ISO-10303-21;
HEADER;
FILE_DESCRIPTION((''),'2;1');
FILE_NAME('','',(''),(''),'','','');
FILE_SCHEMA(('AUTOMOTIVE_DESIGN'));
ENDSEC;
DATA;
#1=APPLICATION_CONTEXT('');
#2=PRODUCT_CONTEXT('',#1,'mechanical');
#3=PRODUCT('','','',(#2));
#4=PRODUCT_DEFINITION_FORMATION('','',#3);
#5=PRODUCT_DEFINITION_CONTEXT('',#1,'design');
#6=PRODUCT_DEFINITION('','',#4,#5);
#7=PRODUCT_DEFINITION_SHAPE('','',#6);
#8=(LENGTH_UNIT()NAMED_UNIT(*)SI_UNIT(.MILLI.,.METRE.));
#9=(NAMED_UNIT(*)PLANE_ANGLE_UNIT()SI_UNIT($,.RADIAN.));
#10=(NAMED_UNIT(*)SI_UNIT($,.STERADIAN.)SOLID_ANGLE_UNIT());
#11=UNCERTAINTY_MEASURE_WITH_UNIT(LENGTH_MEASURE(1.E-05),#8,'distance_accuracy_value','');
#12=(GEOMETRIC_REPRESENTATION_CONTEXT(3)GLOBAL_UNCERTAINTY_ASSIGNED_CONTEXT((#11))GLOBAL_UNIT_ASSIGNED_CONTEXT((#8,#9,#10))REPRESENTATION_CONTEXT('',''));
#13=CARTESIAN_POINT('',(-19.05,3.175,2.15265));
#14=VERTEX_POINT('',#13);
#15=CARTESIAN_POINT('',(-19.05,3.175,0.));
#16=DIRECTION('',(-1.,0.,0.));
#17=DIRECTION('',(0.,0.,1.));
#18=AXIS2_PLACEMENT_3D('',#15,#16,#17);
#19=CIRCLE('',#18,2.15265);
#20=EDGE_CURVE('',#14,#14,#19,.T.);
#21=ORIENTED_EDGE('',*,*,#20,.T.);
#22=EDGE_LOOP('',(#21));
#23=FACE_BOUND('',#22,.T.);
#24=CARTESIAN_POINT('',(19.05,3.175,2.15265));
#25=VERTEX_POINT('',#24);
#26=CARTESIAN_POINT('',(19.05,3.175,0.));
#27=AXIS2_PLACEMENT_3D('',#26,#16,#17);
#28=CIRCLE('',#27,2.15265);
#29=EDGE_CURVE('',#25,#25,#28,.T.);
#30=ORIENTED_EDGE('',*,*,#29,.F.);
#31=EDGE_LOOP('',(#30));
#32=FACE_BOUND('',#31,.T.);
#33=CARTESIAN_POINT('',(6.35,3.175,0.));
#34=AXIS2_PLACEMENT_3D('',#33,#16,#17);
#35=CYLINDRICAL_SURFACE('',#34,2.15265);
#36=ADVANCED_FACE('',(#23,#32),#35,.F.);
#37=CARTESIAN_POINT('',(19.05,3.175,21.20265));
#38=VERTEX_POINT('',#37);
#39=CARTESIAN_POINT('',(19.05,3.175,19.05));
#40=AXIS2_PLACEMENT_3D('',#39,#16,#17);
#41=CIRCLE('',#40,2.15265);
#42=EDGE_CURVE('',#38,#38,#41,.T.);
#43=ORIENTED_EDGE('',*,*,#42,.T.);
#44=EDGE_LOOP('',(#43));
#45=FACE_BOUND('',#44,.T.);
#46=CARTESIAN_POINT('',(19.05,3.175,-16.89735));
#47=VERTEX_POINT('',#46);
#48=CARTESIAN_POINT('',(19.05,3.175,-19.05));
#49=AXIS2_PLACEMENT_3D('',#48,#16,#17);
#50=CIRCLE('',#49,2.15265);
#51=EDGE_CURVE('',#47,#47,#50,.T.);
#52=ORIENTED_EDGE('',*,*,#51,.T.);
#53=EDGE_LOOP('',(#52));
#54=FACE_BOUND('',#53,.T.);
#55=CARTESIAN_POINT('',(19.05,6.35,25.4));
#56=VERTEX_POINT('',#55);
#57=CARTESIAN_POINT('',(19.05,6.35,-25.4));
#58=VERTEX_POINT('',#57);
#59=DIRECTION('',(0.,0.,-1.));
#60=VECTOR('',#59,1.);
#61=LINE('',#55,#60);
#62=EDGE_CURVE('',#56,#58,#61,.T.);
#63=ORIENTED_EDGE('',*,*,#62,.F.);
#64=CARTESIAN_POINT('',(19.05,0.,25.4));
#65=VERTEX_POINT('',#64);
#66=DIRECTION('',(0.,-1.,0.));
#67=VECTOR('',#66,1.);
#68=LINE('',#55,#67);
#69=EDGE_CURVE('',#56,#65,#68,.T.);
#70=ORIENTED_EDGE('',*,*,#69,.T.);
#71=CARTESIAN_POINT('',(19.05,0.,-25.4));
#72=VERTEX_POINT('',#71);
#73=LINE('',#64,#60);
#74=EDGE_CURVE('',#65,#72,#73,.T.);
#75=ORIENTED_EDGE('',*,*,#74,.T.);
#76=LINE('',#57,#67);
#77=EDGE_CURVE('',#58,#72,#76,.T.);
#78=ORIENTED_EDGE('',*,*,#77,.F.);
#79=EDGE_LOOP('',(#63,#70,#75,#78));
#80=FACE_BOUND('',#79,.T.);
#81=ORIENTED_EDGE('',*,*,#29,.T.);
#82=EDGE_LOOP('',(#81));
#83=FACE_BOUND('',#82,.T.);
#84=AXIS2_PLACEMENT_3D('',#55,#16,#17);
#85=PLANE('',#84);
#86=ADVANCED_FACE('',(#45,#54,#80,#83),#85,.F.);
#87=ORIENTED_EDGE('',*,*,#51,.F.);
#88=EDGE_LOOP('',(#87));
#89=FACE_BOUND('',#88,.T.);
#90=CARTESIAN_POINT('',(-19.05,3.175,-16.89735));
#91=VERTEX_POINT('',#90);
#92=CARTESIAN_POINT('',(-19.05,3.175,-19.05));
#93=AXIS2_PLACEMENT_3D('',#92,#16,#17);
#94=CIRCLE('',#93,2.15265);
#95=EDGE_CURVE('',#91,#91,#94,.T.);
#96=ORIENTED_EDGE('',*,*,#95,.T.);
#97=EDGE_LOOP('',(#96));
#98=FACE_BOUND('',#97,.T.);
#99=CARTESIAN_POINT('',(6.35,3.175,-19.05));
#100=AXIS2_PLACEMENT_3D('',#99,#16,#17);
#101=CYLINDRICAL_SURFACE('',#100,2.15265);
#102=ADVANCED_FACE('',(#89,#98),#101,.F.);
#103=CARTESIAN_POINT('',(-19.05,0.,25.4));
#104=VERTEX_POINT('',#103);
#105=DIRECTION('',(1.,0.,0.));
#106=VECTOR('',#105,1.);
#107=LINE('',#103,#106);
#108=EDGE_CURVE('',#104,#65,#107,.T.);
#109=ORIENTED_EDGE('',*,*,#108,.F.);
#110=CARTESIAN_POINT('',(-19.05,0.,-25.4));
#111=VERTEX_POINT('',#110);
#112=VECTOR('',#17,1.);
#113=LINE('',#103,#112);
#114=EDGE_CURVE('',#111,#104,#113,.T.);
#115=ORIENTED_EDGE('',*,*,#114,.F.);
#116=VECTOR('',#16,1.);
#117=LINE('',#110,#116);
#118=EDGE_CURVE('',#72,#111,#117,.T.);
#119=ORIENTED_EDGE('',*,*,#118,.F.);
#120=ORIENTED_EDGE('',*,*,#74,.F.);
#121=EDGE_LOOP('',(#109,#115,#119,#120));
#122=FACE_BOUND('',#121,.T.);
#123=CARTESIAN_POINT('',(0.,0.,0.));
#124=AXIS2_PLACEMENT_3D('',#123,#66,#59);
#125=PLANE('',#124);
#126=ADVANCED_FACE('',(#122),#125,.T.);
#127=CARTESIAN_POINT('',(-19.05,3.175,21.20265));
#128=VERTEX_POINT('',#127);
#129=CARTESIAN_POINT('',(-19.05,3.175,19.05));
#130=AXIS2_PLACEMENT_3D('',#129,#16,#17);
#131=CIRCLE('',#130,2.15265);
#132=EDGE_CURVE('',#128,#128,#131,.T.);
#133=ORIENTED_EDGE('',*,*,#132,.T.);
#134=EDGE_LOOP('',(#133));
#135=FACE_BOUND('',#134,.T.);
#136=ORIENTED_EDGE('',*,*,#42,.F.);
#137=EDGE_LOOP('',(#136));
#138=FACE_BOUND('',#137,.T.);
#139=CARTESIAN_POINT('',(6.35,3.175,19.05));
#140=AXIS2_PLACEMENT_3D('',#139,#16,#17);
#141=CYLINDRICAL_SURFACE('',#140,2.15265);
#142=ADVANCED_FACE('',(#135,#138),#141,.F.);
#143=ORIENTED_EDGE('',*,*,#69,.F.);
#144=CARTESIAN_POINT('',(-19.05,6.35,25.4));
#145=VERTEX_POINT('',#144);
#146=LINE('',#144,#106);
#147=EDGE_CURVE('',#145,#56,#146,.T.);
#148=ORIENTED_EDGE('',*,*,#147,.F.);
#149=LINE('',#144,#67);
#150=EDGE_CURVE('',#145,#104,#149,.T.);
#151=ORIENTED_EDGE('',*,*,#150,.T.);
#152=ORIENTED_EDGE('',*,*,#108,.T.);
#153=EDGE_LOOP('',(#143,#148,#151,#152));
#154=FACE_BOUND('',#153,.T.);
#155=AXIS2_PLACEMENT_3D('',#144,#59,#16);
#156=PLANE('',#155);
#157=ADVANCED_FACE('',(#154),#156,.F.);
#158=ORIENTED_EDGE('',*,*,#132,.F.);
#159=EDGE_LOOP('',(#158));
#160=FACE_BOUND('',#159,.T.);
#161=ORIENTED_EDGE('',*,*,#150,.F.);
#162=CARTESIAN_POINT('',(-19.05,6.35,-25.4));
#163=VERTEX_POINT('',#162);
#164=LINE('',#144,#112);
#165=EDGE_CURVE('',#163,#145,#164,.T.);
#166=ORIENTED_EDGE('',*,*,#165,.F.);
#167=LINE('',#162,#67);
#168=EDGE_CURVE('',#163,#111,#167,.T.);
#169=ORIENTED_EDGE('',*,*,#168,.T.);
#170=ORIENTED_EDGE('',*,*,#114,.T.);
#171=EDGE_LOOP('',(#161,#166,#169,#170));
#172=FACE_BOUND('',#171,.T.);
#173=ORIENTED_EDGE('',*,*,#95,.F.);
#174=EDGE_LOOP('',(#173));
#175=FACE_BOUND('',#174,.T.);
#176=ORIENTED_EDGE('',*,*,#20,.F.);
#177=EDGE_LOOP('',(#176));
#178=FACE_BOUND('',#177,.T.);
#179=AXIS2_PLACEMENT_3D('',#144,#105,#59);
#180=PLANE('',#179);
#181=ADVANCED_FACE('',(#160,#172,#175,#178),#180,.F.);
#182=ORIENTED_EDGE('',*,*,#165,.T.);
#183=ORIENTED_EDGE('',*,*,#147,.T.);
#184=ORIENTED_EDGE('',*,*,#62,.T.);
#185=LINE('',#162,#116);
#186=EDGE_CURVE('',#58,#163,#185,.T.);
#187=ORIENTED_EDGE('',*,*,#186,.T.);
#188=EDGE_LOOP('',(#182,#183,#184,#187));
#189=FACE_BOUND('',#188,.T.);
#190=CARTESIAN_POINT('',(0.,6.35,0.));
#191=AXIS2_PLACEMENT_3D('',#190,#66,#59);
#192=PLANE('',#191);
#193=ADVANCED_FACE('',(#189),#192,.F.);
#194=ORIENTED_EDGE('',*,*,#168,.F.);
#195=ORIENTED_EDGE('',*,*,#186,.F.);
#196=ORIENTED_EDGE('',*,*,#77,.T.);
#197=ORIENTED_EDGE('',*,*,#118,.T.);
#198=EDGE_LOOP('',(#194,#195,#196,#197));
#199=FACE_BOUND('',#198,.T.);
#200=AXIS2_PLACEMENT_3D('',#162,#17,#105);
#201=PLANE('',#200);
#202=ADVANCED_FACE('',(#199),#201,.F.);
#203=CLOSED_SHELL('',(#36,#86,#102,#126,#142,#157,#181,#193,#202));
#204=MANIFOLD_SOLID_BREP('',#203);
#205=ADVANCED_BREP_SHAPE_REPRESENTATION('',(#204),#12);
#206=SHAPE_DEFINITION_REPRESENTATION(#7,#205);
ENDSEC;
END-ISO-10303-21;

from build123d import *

# Parameters (mm, degrees)
SKETCH1_W           = 38.1
SKETCH1_H           = 50.8
BOSS_EXTRUDE1_DEPTH = 6.35
SKETCH2_R           = 2.15265
CUT_EXTRUDE1_DEPTH  = 25.4


with BuildPart() as part:
    # Sketch1 → Boss-Extrude1 (new body)
    with BuildSketch(Plane(origin=(0, 0, 0), x_dir=(1, 0, 0), z_dir=(0, 1, 0))):
        Rectangle(SKETCH1_W, SKETCH1_H)
    extrude(amount=BOSS_EXTRUDE1_DEPTH)

    # Sketch2 → Cut-Extrude1 (cut)
    with BuildSketch(Plane.ZY.offset(19.05)):
        with Locations((-19.05, 3.175)):
            Circle(SKETCH2_R)
        with Locations((0, 3.175)):
            Circle(SKETCH2_R)
        with Locations((19.05, 3.175)):
            Circle(SKETCH2_R)
    cut_extrude1 = extrude(amount=-CUT_EXTRUDE1_DEPTH, mode=Mode.SUBTRACT)

    # Mirror1: Cut-Extrude1 across plane
    add(cut_extrude1.mirror(Plane(origin=(0, 0, 0), x_dir=(0, 0, 1), z_dir=(1, 0, 0))), mode=Mode.SUBTRACT)


solid = part.part
